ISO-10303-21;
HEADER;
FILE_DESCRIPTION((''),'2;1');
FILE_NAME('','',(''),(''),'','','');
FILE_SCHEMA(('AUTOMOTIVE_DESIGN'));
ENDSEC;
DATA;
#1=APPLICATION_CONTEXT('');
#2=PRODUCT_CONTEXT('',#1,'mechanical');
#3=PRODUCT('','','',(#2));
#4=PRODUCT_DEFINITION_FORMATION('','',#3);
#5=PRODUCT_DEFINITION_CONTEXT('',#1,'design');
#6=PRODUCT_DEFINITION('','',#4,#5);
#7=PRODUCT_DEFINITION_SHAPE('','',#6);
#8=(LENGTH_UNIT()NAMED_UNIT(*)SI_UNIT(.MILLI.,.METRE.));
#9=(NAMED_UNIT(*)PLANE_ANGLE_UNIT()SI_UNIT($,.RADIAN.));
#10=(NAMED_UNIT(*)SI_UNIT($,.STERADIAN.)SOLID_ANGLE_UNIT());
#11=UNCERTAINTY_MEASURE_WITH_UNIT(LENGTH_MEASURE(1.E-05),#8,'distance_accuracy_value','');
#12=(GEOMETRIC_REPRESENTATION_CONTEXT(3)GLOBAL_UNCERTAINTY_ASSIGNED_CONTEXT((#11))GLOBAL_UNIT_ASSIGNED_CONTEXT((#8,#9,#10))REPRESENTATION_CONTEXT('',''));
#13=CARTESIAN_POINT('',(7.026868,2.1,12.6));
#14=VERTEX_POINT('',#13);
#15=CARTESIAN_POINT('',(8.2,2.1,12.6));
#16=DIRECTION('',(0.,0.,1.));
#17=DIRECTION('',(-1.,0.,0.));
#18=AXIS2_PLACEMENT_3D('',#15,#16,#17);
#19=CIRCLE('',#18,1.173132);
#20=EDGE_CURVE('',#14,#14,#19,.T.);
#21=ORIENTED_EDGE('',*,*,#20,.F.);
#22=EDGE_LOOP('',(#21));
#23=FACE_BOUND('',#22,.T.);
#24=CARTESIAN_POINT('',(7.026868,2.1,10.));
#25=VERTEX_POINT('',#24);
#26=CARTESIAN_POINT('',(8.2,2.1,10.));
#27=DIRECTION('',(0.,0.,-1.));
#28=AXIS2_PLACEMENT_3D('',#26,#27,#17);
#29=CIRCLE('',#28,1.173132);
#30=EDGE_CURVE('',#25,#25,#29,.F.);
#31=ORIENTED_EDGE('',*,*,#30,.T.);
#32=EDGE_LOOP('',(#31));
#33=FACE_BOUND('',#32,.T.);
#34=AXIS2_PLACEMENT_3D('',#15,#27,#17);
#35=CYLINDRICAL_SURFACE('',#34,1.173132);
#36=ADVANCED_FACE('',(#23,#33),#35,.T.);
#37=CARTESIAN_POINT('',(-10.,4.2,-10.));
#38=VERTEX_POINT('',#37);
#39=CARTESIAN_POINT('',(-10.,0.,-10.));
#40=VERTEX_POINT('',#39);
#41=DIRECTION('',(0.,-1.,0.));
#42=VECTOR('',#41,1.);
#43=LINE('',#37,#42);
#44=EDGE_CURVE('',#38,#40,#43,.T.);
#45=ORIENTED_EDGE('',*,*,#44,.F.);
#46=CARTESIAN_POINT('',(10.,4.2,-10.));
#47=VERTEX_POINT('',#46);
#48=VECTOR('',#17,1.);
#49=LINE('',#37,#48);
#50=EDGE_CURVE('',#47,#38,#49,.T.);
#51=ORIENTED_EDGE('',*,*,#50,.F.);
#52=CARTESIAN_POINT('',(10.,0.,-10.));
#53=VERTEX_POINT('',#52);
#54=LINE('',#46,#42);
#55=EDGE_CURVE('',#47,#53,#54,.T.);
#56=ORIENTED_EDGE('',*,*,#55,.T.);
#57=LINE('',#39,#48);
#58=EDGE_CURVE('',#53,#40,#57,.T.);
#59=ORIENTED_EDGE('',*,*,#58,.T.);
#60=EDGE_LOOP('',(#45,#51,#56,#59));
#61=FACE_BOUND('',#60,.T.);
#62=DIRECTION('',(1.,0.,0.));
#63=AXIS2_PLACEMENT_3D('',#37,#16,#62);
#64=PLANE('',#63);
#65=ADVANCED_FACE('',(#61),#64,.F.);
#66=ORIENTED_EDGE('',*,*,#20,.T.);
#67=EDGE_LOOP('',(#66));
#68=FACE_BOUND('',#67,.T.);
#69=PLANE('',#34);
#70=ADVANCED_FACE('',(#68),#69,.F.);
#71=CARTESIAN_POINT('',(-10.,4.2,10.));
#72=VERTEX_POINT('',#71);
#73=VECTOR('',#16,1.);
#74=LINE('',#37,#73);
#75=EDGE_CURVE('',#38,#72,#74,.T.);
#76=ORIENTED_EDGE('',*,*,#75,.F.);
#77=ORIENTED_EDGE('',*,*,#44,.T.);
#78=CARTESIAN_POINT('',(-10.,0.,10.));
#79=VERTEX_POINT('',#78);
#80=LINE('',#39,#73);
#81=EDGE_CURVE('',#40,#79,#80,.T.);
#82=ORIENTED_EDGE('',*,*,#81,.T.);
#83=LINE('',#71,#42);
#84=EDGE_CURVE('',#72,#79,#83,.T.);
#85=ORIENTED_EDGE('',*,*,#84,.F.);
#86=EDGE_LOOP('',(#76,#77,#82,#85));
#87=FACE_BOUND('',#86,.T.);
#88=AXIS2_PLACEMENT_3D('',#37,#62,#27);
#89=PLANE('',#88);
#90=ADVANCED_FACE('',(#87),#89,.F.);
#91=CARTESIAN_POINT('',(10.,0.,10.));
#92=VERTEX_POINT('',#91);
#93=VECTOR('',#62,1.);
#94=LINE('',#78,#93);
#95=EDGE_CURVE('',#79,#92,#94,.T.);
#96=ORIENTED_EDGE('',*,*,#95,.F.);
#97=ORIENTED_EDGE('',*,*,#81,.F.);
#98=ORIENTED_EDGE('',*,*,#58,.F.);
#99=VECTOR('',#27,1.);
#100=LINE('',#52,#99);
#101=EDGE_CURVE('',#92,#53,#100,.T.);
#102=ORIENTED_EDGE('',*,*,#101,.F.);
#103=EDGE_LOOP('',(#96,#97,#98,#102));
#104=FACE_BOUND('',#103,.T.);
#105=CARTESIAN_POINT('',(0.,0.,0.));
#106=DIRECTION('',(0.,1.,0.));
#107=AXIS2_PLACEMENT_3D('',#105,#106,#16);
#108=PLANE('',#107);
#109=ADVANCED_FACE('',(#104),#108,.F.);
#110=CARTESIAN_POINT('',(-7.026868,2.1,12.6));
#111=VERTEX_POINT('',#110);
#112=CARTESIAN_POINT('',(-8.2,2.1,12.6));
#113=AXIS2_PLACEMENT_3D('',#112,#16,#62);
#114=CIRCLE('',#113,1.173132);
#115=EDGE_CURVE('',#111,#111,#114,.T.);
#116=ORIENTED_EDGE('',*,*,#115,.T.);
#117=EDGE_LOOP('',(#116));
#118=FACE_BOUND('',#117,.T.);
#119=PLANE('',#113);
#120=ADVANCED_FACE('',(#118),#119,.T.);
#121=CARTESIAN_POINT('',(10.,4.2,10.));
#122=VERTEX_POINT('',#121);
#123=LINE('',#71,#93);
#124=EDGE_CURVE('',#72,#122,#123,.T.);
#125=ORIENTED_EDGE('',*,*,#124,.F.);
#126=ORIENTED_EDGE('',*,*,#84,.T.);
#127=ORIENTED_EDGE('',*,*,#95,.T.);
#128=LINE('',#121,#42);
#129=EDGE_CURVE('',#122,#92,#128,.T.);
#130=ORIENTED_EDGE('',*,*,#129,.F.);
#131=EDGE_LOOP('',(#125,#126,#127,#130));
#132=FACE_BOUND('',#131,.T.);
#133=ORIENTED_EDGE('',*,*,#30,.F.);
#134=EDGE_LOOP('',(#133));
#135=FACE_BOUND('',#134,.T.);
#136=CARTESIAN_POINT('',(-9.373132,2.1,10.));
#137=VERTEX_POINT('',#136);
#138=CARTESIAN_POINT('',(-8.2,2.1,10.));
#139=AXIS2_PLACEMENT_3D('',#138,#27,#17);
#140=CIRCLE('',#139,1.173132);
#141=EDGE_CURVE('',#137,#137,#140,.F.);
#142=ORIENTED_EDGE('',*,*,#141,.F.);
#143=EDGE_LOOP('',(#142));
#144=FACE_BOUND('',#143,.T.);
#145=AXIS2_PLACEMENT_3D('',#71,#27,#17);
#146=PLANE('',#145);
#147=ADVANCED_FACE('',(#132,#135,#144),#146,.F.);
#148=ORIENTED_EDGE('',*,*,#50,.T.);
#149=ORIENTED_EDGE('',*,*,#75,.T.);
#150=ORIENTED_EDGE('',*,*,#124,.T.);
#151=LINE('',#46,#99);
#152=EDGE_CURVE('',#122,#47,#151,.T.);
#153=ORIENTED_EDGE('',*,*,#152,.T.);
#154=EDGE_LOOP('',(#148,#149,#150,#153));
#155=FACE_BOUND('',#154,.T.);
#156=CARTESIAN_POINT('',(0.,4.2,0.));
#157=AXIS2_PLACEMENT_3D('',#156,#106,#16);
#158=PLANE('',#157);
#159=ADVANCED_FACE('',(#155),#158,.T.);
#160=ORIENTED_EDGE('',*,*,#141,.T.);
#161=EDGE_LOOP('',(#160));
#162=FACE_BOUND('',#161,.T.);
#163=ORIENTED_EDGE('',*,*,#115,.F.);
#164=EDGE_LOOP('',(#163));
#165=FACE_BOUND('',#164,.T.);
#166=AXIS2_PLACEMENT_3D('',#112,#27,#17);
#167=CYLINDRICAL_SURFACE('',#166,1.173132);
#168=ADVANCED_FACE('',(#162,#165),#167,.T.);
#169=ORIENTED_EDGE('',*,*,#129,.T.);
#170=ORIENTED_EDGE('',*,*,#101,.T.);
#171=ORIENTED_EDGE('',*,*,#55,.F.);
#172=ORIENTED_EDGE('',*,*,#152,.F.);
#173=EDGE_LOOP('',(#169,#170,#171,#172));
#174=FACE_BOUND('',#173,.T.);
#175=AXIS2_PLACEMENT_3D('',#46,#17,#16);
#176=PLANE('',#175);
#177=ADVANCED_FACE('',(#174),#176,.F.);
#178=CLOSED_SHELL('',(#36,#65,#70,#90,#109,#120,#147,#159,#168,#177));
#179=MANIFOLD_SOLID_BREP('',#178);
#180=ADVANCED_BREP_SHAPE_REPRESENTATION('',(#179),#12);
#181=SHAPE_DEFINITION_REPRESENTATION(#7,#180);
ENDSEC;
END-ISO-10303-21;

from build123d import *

# Parameters (mm, degrees)
SKETCH_1_W      = 20
SKETCH_1_H      = 20
EXTRUDE_1_DEPTH = 4.2
SKETCH_2_R      = 1.173131764
EXTRUDE_2_DEPTH = 12.6


with BuildPart() as part:
    # 草图1 → 凸台-拉伸1 (new body)
    with BuildSketch(Plane(origin=(0, 0, 0), x_dir=(1, 0, 0), z_dir=(0, 1, 0))):
        Rectangle(SKETCH_1_W, SKETCH_1_H)
    extrude(amount=EXTRUDE_1_DEPTH)

    # 草图2 → 凸台-拉伸2 (add)
    with BuildSketch(Plane.XY):
        with Locations((-8.2, 2.1)):
            Circle(SKETCH_2_R)
        with Locations((8.2, 2.1)):
            Circle(SKETCH_2_R)
    extrude(amount=EXTRUDE_2_DEPTH)


solid = part.part
